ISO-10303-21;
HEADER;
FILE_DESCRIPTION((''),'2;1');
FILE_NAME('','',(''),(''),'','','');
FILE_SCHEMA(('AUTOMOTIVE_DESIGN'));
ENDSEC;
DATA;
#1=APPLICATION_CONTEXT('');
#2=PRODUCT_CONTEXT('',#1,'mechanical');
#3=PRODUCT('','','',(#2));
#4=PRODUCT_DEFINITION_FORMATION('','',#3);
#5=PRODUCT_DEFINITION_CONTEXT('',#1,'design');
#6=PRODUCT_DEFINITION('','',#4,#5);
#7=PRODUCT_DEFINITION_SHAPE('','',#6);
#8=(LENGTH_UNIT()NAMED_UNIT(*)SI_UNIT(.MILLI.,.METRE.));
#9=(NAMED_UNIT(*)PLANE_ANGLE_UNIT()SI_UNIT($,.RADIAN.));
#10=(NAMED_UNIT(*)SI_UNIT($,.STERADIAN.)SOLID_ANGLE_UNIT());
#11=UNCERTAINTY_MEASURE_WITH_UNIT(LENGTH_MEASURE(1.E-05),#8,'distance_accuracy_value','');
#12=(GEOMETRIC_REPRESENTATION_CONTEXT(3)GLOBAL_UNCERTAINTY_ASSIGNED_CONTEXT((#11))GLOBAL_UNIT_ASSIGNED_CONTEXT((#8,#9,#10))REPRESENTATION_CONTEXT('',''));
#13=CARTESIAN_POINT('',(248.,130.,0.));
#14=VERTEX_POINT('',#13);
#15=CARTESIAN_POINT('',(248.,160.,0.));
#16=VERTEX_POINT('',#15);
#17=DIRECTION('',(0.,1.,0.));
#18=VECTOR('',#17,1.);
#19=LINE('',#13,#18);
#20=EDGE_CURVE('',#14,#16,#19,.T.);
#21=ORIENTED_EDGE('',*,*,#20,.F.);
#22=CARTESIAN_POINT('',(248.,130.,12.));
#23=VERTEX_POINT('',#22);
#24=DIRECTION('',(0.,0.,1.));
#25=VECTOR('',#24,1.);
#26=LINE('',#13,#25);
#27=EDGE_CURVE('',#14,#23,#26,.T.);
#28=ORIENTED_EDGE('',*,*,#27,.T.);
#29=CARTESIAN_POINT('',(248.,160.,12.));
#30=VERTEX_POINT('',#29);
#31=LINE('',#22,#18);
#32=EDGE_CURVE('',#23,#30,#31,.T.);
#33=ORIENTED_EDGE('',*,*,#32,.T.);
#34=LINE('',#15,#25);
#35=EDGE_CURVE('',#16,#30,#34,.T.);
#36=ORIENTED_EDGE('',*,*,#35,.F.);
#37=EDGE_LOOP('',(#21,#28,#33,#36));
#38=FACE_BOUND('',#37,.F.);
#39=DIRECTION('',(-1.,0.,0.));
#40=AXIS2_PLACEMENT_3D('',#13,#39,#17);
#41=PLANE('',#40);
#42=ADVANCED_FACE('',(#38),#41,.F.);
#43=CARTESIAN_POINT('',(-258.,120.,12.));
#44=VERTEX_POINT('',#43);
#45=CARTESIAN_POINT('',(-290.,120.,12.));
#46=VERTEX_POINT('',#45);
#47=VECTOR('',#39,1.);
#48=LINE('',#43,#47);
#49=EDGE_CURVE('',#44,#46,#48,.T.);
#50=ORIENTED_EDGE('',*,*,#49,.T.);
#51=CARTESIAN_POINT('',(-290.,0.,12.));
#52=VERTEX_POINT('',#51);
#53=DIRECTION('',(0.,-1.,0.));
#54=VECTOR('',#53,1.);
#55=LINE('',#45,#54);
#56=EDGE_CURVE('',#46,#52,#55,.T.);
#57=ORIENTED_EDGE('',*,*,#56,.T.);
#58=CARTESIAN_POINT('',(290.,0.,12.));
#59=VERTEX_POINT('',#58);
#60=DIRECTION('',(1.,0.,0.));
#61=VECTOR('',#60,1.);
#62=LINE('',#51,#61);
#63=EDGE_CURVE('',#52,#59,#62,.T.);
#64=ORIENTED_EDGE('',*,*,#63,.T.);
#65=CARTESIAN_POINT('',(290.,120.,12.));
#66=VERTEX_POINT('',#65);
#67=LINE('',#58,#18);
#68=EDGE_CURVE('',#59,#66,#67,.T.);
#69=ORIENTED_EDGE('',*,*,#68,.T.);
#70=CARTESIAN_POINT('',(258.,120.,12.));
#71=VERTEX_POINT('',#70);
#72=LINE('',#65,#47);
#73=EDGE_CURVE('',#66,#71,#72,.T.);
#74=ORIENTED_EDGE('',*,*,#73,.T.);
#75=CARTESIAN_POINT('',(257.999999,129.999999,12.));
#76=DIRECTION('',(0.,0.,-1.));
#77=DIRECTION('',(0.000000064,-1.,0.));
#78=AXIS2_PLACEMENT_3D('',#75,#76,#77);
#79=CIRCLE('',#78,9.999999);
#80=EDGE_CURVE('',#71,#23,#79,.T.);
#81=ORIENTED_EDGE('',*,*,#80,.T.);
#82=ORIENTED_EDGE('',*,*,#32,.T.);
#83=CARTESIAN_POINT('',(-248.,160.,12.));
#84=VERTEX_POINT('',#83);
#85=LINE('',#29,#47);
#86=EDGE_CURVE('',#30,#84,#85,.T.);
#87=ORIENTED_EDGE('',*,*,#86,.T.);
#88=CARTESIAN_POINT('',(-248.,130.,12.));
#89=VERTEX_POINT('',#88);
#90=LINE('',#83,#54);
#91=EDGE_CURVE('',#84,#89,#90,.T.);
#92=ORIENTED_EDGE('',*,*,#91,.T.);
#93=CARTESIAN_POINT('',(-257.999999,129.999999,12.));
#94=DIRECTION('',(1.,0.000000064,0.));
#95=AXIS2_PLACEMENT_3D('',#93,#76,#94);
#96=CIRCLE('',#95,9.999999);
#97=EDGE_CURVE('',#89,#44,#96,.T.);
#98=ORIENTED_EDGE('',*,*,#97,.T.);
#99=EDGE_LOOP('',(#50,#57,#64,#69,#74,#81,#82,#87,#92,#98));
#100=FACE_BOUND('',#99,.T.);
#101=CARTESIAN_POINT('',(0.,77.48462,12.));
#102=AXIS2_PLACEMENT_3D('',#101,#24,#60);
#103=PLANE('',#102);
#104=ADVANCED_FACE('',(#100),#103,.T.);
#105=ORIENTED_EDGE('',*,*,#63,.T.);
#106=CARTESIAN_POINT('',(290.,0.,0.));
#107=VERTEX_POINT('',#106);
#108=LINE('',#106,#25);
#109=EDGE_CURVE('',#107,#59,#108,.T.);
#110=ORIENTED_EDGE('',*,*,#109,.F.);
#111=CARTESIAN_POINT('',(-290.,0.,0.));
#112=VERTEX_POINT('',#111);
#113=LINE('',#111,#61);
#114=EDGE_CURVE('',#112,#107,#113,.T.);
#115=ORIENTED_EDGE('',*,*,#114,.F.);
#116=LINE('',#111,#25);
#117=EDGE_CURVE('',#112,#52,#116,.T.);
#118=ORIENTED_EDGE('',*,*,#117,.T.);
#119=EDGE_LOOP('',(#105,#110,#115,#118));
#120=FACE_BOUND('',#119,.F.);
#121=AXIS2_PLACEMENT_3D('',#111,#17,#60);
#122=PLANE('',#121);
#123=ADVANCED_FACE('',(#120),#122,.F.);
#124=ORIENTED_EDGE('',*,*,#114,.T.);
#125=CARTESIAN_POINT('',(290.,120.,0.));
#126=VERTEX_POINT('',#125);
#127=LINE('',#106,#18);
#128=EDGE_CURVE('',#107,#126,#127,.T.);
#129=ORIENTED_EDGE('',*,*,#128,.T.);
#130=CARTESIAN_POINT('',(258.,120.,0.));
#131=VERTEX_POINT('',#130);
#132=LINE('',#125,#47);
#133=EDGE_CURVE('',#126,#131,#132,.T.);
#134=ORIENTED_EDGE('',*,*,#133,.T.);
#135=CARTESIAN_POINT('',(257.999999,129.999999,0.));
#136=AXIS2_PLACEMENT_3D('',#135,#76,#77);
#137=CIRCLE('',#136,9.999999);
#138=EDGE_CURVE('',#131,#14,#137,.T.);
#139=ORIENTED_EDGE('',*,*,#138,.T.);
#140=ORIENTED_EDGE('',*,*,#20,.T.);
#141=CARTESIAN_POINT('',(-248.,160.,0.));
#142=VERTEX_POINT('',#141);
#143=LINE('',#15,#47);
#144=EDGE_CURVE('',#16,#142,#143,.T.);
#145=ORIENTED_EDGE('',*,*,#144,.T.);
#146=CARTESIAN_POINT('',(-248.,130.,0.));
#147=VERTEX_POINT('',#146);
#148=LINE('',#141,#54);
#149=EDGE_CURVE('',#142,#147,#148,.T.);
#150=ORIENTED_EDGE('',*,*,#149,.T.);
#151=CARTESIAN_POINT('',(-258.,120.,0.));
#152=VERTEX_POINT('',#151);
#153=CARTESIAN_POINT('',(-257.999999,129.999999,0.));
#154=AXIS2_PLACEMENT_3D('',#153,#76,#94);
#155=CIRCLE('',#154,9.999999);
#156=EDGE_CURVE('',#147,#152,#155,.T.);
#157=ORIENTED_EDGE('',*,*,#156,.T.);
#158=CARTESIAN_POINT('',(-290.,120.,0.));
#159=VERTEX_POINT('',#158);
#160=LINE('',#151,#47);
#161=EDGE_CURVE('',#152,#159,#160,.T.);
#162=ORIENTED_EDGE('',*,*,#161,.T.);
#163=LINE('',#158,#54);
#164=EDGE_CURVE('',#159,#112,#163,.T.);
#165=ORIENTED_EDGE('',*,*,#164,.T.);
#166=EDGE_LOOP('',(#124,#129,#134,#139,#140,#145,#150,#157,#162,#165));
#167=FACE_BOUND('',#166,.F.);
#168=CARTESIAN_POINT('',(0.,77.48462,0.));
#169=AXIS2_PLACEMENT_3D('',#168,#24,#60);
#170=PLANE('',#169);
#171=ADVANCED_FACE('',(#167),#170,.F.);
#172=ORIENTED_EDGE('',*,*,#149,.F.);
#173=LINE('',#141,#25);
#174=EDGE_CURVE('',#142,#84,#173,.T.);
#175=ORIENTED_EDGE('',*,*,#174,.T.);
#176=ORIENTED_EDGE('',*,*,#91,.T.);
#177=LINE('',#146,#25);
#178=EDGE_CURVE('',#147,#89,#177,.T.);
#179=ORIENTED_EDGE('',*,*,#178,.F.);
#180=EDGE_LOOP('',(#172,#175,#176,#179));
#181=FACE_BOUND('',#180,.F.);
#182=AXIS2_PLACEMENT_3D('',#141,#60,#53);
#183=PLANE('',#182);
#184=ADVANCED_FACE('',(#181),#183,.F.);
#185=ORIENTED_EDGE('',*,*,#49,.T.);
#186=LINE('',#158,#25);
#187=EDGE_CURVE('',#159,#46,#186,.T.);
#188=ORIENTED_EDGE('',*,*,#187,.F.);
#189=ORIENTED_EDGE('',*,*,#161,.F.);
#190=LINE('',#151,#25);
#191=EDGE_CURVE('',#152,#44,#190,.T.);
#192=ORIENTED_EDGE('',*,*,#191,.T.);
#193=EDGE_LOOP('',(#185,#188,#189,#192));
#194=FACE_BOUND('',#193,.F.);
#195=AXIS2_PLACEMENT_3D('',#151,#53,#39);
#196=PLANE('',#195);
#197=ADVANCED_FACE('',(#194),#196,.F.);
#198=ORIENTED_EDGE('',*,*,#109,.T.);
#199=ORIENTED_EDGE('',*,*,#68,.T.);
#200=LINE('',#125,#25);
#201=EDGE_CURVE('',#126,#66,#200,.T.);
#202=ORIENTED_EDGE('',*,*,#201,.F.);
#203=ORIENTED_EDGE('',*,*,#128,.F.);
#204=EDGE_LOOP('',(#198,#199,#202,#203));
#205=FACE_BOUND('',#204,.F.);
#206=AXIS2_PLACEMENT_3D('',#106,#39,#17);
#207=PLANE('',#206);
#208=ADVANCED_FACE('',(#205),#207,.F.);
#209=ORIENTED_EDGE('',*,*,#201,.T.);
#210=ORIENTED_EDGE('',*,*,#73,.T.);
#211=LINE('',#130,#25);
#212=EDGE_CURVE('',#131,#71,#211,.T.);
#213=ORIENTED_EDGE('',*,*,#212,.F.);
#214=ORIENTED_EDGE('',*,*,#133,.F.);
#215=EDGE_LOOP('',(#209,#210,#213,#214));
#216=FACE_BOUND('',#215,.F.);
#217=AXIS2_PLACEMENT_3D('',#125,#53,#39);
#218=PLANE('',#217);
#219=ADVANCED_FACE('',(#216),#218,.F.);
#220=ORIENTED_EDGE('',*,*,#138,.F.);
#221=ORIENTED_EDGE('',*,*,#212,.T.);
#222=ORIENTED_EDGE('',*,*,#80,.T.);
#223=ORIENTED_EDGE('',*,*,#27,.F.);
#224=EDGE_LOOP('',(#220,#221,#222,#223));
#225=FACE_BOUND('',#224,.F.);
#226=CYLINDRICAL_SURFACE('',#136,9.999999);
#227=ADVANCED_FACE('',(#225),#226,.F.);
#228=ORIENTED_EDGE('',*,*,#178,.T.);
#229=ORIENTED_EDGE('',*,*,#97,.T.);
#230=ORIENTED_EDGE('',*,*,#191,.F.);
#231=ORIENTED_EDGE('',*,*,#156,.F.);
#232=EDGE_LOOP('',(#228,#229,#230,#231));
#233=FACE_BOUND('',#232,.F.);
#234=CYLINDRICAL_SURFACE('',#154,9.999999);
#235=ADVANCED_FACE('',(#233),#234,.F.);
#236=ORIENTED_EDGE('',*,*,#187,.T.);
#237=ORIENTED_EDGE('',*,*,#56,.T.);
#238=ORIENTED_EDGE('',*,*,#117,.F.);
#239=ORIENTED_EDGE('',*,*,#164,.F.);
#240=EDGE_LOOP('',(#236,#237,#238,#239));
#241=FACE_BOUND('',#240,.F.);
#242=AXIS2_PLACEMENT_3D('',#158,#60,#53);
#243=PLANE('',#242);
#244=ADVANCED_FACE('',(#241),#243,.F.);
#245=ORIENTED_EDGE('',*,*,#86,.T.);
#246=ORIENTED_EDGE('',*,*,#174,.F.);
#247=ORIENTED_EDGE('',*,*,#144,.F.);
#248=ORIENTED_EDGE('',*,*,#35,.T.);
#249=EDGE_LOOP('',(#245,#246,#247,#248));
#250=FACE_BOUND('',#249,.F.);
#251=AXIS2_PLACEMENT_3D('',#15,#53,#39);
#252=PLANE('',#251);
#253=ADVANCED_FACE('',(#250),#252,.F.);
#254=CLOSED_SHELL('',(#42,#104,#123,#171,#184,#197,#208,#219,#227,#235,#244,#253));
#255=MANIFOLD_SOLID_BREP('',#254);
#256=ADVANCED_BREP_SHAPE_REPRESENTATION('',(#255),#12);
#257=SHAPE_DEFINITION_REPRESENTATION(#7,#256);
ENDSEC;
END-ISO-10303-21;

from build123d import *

# Parameters (mm, degrees)
F1_DEPTH = 12


with BuildPart() as f1:
    # F0 (on Top) → F1 (new body)
    with BuildSketch(Plane.XY):
        with BuildLine():
            Line((-290, 0), (0, 0))
            Line((0, 0), (290, 0))
            Line((290, 0), (290, 120))
            Line((290, 120), (258, 120))
            ThreePointArc((258, 120), (250.928932, 122.928932), (248, 130))
            Line((248, 130), (248, 160))
            Line((248, 160), (0, 160))
            Line((0, 160), (-248, 160))
            Line((-248, 160), (-248, 130))
            ThreePointArc((-248, 130), (-250.928932, 122.928932), (-258, 120))
            Line((-258, 120), (-290, 120))
            Line((-290, 120), (-290, 0))
        make_face()
    extrude(amount=F1_DEPTH)


solid = f1.part
